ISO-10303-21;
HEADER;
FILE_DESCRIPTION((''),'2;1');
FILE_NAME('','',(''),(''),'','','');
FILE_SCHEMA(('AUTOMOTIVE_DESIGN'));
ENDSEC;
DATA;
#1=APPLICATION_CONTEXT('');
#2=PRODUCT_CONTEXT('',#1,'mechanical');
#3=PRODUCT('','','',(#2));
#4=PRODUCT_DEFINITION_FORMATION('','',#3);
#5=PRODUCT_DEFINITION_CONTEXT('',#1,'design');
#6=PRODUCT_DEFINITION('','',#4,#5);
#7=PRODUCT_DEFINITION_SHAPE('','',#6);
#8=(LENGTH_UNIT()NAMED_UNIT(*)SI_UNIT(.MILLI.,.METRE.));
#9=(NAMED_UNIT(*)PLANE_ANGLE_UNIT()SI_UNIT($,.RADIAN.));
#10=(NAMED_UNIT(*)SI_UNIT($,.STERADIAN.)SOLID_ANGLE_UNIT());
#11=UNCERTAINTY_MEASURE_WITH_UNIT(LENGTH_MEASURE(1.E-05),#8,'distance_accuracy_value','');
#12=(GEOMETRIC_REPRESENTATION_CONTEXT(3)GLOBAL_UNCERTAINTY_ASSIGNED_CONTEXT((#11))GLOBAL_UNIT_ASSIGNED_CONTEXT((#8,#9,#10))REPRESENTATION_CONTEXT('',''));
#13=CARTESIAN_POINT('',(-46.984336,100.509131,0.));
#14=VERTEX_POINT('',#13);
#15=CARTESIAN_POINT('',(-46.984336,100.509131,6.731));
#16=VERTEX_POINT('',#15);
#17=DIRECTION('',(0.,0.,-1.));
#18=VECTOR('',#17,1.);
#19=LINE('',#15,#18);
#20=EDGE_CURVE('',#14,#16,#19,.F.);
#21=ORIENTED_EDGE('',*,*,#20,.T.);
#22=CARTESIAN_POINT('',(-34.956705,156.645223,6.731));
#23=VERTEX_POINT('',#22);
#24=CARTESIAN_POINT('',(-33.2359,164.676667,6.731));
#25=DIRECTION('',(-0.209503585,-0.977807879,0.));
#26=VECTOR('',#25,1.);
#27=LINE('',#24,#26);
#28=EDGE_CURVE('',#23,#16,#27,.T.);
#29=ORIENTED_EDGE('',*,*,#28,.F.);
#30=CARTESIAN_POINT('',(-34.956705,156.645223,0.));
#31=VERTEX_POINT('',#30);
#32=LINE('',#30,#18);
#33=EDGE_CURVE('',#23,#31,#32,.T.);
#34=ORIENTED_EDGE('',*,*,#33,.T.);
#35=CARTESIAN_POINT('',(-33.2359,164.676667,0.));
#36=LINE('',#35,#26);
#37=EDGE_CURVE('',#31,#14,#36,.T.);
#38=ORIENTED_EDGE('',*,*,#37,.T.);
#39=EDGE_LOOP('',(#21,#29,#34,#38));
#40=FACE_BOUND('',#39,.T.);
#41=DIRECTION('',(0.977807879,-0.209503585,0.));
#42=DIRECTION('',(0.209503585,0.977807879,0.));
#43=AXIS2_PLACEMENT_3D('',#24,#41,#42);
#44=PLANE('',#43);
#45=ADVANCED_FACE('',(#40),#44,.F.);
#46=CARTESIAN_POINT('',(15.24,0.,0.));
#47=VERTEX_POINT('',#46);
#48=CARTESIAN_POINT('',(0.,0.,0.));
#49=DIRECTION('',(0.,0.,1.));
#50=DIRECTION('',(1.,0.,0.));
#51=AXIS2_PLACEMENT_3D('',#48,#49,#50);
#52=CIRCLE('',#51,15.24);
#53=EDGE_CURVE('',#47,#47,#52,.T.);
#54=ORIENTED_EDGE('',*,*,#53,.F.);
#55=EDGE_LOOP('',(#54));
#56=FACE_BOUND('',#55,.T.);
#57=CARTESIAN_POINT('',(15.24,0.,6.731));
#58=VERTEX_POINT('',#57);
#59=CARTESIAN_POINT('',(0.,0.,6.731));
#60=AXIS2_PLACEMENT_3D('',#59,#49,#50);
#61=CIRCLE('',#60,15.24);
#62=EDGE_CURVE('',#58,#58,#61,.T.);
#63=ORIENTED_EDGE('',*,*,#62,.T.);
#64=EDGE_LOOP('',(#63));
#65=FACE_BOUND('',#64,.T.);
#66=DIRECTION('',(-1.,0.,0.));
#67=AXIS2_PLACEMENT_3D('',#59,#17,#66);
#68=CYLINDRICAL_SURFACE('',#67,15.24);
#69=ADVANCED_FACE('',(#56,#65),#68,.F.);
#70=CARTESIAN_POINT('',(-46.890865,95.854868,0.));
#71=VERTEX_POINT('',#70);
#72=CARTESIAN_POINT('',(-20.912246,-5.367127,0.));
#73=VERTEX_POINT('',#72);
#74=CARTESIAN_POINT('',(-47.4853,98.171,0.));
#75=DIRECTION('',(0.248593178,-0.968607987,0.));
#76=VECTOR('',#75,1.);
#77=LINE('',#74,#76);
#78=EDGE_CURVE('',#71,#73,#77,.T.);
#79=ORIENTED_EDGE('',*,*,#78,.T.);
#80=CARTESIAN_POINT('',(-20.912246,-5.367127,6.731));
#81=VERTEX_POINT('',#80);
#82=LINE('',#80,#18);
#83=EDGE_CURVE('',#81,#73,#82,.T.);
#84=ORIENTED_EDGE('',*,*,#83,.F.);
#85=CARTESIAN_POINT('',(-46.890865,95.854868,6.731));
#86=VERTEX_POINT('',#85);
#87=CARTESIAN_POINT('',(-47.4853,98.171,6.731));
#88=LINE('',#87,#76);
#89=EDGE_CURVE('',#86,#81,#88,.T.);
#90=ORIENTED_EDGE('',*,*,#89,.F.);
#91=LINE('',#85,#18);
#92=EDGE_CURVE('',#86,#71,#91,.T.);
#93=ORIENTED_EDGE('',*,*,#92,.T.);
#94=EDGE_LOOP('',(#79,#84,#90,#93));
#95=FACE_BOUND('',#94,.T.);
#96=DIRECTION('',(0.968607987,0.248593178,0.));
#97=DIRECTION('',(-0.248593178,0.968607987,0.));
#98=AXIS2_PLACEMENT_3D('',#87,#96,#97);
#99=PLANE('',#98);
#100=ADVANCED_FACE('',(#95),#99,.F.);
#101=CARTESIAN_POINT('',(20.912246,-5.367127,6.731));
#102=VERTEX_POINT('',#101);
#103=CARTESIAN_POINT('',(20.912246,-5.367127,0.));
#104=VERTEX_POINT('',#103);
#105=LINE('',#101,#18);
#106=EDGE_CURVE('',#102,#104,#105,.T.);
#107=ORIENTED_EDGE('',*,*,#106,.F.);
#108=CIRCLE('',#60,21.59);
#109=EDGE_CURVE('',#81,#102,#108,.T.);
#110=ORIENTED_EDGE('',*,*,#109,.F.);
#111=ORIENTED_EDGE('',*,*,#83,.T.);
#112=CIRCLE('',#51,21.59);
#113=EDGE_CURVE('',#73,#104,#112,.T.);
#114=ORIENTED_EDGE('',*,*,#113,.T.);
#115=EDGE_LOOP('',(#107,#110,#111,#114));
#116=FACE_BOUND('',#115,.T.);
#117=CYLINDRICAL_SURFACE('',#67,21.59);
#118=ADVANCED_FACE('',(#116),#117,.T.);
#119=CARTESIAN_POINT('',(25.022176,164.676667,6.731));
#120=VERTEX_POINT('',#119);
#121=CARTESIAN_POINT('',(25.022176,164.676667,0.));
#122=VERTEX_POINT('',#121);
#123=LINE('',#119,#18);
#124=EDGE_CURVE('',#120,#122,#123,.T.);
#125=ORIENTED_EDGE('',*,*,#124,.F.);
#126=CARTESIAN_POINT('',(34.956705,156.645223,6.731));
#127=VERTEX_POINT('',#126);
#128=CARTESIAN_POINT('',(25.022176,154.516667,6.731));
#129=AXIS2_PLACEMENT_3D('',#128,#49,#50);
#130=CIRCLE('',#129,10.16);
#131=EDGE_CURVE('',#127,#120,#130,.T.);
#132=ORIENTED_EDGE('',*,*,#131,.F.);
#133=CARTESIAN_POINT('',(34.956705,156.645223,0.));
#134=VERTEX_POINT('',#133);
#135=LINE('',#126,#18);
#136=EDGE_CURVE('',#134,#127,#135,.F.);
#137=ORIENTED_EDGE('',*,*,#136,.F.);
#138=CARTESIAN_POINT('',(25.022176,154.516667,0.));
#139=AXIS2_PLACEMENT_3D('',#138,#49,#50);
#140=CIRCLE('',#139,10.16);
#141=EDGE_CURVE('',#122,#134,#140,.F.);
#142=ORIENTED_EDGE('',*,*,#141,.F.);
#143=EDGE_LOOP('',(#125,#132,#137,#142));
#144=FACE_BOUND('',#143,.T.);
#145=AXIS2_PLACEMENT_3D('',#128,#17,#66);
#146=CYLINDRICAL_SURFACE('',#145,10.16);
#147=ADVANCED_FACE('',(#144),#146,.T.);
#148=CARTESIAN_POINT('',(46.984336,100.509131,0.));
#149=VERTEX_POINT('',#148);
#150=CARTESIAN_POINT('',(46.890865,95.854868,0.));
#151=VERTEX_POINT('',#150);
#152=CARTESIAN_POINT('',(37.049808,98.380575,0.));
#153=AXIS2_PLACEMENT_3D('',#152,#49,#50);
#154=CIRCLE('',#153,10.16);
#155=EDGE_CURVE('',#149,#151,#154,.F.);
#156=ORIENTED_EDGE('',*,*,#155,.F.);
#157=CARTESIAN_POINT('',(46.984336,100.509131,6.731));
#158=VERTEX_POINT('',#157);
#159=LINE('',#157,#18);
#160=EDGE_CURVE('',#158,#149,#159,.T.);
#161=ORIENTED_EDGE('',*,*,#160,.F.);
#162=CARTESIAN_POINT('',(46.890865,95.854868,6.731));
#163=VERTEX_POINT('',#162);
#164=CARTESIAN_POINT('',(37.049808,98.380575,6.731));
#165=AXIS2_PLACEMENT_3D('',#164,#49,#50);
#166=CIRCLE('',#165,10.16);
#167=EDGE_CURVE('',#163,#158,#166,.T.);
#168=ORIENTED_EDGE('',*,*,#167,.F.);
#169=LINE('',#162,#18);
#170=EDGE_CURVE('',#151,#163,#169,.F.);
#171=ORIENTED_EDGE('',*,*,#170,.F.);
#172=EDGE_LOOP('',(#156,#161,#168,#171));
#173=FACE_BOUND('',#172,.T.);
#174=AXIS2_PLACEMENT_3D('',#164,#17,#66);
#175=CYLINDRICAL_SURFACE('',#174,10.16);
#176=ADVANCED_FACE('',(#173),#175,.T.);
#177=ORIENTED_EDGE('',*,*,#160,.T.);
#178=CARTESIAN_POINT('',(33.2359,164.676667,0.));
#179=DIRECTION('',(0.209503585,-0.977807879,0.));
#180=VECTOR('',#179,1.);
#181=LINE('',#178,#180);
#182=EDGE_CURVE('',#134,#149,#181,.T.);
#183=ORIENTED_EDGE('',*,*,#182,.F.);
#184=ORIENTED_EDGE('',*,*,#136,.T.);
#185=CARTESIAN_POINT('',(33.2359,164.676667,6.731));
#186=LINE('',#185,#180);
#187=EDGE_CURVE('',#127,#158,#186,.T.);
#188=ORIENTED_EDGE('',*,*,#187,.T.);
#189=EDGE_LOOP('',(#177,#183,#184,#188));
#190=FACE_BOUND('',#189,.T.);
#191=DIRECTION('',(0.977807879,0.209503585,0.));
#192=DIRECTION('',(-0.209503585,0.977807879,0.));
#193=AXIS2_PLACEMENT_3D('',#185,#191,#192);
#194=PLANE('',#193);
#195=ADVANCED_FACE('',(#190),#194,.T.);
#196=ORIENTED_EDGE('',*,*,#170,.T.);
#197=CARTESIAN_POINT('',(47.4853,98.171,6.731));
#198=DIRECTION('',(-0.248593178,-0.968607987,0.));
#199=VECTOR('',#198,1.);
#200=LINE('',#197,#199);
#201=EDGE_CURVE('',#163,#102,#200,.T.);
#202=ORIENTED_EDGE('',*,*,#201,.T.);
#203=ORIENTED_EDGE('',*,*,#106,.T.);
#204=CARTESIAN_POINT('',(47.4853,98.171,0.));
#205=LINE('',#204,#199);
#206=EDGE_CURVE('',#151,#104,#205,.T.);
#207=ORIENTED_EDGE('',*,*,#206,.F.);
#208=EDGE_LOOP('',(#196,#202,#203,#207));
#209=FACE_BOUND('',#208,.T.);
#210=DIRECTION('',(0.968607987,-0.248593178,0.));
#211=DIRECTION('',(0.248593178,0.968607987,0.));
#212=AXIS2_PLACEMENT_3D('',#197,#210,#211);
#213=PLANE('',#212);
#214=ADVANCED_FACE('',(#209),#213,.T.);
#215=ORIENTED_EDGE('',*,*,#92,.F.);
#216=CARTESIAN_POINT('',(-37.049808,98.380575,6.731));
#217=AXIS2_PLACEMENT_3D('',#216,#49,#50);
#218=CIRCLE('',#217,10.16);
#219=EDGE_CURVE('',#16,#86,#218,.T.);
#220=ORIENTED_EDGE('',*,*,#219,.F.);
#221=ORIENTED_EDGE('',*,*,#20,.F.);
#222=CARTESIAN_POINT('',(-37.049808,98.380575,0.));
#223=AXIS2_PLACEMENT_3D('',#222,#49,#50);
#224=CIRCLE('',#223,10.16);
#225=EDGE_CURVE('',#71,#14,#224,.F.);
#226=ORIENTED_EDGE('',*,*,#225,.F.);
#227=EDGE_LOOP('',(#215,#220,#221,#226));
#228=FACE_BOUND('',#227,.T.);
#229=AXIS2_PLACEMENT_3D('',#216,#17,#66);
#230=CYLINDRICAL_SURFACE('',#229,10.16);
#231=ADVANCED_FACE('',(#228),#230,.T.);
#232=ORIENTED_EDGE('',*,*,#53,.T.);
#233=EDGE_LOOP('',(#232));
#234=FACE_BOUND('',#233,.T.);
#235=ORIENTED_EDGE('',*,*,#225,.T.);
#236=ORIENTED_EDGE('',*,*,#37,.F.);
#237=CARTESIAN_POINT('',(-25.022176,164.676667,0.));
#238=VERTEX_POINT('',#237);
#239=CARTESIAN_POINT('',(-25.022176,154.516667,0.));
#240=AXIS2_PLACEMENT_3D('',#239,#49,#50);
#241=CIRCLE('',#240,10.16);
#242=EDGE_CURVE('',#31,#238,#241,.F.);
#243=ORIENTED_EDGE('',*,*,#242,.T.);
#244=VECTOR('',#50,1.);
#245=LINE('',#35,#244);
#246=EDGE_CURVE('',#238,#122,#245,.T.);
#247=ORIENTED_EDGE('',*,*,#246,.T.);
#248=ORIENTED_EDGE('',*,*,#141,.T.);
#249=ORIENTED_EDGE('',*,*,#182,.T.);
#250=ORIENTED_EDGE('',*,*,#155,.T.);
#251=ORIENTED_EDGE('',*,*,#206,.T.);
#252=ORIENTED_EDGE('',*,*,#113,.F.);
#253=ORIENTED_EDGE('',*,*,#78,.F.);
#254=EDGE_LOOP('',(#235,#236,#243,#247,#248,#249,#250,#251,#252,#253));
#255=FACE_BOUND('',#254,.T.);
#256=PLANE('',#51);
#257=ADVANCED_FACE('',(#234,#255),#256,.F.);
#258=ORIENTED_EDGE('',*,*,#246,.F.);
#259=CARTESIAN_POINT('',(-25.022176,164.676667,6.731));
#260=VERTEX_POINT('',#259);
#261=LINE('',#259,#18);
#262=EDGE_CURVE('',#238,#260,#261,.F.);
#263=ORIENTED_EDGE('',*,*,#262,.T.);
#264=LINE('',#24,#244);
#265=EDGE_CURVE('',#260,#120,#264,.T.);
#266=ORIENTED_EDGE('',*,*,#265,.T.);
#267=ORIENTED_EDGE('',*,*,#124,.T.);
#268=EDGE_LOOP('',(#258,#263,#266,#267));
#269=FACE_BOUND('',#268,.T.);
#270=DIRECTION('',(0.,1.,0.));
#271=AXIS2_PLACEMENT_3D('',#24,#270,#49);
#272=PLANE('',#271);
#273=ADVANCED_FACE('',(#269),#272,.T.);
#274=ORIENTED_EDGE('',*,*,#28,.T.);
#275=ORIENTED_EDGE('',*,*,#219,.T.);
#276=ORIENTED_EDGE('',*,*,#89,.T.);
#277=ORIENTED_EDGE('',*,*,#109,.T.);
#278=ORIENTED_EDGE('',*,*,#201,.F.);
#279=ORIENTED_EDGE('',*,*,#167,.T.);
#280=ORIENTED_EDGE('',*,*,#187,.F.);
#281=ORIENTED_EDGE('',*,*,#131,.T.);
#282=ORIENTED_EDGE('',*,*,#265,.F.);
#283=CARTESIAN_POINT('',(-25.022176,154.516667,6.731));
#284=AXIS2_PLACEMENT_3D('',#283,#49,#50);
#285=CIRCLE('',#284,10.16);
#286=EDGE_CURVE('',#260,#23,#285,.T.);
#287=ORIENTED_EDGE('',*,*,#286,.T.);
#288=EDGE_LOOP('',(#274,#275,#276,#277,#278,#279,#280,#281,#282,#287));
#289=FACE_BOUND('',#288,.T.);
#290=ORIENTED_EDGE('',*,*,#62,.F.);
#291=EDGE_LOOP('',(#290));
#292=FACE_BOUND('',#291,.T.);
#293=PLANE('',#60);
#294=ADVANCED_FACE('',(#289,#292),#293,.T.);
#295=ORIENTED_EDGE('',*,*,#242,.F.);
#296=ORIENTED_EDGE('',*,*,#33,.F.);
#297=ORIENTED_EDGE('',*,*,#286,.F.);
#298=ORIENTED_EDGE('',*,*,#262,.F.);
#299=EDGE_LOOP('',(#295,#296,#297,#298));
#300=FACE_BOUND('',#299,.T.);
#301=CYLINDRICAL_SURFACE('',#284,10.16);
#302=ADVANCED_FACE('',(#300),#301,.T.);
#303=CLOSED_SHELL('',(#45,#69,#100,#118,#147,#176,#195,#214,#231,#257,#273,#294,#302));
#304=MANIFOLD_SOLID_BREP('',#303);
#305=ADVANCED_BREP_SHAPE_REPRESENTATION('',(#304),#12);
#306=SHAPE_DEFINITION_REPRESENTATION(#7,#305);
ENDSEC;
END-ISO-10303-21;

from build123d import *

# Parameters (mm, degrees)
SKETCH1_R           = 15.24
BOSS_EXTRUDE1_DEPTH = 6.731
FILLET1_R           = 10.16
FILLET2_R           = 10.16


with BuildPart() as part:
    # Sketch1 → Boss-Extrude1 (new body)
    with BuildSketch(Plane.XY):
        with BuildLine():
            Line((-33.2359, 164.676666667), (33.2359, 164.676666667))
            Line((33.2359, 164.676666667), (47.4853, 98.171))
            Line((47.4853, 98.171), (20.912246435, -5.367126704))
            ThreePointArc((20.912246435, -5.367126704), (0, -21.59), (-20.912246435, -5.367126704))
            Line((-20.912246435, -5.367126704), (-47.4853, 98.171))
            Line((-47.4853, 98.171), (-33.2359, 164.676666667))
        make_face()
        Circle(SKETCH1_R, mode=Mode.SUBTRACT)
    extrude(amount=BOSS_EXTRUDE1_DEPTH)

    # Fillet1
    fillet1_edges = [part.edges().sort_by_distance(p)[0] for p in [
        (-47.4853, 98.171, 3.3655),
        (47.4853, 98.171, 3.3655),
    ]]
    fillet(fillet1_edges, radius=FILLET1_R)

    # Fillet2
    fillet2_edges = [part.edges().sort_by_distance(p)[0] for p in [
        (-33.2359, 164.676666667, 3.3655),
        (33.2359, 164.676666667, 3.3655),
    ]]
    fillet(fillet2_edges, radius=FILLET2_R)


solid = part.part
